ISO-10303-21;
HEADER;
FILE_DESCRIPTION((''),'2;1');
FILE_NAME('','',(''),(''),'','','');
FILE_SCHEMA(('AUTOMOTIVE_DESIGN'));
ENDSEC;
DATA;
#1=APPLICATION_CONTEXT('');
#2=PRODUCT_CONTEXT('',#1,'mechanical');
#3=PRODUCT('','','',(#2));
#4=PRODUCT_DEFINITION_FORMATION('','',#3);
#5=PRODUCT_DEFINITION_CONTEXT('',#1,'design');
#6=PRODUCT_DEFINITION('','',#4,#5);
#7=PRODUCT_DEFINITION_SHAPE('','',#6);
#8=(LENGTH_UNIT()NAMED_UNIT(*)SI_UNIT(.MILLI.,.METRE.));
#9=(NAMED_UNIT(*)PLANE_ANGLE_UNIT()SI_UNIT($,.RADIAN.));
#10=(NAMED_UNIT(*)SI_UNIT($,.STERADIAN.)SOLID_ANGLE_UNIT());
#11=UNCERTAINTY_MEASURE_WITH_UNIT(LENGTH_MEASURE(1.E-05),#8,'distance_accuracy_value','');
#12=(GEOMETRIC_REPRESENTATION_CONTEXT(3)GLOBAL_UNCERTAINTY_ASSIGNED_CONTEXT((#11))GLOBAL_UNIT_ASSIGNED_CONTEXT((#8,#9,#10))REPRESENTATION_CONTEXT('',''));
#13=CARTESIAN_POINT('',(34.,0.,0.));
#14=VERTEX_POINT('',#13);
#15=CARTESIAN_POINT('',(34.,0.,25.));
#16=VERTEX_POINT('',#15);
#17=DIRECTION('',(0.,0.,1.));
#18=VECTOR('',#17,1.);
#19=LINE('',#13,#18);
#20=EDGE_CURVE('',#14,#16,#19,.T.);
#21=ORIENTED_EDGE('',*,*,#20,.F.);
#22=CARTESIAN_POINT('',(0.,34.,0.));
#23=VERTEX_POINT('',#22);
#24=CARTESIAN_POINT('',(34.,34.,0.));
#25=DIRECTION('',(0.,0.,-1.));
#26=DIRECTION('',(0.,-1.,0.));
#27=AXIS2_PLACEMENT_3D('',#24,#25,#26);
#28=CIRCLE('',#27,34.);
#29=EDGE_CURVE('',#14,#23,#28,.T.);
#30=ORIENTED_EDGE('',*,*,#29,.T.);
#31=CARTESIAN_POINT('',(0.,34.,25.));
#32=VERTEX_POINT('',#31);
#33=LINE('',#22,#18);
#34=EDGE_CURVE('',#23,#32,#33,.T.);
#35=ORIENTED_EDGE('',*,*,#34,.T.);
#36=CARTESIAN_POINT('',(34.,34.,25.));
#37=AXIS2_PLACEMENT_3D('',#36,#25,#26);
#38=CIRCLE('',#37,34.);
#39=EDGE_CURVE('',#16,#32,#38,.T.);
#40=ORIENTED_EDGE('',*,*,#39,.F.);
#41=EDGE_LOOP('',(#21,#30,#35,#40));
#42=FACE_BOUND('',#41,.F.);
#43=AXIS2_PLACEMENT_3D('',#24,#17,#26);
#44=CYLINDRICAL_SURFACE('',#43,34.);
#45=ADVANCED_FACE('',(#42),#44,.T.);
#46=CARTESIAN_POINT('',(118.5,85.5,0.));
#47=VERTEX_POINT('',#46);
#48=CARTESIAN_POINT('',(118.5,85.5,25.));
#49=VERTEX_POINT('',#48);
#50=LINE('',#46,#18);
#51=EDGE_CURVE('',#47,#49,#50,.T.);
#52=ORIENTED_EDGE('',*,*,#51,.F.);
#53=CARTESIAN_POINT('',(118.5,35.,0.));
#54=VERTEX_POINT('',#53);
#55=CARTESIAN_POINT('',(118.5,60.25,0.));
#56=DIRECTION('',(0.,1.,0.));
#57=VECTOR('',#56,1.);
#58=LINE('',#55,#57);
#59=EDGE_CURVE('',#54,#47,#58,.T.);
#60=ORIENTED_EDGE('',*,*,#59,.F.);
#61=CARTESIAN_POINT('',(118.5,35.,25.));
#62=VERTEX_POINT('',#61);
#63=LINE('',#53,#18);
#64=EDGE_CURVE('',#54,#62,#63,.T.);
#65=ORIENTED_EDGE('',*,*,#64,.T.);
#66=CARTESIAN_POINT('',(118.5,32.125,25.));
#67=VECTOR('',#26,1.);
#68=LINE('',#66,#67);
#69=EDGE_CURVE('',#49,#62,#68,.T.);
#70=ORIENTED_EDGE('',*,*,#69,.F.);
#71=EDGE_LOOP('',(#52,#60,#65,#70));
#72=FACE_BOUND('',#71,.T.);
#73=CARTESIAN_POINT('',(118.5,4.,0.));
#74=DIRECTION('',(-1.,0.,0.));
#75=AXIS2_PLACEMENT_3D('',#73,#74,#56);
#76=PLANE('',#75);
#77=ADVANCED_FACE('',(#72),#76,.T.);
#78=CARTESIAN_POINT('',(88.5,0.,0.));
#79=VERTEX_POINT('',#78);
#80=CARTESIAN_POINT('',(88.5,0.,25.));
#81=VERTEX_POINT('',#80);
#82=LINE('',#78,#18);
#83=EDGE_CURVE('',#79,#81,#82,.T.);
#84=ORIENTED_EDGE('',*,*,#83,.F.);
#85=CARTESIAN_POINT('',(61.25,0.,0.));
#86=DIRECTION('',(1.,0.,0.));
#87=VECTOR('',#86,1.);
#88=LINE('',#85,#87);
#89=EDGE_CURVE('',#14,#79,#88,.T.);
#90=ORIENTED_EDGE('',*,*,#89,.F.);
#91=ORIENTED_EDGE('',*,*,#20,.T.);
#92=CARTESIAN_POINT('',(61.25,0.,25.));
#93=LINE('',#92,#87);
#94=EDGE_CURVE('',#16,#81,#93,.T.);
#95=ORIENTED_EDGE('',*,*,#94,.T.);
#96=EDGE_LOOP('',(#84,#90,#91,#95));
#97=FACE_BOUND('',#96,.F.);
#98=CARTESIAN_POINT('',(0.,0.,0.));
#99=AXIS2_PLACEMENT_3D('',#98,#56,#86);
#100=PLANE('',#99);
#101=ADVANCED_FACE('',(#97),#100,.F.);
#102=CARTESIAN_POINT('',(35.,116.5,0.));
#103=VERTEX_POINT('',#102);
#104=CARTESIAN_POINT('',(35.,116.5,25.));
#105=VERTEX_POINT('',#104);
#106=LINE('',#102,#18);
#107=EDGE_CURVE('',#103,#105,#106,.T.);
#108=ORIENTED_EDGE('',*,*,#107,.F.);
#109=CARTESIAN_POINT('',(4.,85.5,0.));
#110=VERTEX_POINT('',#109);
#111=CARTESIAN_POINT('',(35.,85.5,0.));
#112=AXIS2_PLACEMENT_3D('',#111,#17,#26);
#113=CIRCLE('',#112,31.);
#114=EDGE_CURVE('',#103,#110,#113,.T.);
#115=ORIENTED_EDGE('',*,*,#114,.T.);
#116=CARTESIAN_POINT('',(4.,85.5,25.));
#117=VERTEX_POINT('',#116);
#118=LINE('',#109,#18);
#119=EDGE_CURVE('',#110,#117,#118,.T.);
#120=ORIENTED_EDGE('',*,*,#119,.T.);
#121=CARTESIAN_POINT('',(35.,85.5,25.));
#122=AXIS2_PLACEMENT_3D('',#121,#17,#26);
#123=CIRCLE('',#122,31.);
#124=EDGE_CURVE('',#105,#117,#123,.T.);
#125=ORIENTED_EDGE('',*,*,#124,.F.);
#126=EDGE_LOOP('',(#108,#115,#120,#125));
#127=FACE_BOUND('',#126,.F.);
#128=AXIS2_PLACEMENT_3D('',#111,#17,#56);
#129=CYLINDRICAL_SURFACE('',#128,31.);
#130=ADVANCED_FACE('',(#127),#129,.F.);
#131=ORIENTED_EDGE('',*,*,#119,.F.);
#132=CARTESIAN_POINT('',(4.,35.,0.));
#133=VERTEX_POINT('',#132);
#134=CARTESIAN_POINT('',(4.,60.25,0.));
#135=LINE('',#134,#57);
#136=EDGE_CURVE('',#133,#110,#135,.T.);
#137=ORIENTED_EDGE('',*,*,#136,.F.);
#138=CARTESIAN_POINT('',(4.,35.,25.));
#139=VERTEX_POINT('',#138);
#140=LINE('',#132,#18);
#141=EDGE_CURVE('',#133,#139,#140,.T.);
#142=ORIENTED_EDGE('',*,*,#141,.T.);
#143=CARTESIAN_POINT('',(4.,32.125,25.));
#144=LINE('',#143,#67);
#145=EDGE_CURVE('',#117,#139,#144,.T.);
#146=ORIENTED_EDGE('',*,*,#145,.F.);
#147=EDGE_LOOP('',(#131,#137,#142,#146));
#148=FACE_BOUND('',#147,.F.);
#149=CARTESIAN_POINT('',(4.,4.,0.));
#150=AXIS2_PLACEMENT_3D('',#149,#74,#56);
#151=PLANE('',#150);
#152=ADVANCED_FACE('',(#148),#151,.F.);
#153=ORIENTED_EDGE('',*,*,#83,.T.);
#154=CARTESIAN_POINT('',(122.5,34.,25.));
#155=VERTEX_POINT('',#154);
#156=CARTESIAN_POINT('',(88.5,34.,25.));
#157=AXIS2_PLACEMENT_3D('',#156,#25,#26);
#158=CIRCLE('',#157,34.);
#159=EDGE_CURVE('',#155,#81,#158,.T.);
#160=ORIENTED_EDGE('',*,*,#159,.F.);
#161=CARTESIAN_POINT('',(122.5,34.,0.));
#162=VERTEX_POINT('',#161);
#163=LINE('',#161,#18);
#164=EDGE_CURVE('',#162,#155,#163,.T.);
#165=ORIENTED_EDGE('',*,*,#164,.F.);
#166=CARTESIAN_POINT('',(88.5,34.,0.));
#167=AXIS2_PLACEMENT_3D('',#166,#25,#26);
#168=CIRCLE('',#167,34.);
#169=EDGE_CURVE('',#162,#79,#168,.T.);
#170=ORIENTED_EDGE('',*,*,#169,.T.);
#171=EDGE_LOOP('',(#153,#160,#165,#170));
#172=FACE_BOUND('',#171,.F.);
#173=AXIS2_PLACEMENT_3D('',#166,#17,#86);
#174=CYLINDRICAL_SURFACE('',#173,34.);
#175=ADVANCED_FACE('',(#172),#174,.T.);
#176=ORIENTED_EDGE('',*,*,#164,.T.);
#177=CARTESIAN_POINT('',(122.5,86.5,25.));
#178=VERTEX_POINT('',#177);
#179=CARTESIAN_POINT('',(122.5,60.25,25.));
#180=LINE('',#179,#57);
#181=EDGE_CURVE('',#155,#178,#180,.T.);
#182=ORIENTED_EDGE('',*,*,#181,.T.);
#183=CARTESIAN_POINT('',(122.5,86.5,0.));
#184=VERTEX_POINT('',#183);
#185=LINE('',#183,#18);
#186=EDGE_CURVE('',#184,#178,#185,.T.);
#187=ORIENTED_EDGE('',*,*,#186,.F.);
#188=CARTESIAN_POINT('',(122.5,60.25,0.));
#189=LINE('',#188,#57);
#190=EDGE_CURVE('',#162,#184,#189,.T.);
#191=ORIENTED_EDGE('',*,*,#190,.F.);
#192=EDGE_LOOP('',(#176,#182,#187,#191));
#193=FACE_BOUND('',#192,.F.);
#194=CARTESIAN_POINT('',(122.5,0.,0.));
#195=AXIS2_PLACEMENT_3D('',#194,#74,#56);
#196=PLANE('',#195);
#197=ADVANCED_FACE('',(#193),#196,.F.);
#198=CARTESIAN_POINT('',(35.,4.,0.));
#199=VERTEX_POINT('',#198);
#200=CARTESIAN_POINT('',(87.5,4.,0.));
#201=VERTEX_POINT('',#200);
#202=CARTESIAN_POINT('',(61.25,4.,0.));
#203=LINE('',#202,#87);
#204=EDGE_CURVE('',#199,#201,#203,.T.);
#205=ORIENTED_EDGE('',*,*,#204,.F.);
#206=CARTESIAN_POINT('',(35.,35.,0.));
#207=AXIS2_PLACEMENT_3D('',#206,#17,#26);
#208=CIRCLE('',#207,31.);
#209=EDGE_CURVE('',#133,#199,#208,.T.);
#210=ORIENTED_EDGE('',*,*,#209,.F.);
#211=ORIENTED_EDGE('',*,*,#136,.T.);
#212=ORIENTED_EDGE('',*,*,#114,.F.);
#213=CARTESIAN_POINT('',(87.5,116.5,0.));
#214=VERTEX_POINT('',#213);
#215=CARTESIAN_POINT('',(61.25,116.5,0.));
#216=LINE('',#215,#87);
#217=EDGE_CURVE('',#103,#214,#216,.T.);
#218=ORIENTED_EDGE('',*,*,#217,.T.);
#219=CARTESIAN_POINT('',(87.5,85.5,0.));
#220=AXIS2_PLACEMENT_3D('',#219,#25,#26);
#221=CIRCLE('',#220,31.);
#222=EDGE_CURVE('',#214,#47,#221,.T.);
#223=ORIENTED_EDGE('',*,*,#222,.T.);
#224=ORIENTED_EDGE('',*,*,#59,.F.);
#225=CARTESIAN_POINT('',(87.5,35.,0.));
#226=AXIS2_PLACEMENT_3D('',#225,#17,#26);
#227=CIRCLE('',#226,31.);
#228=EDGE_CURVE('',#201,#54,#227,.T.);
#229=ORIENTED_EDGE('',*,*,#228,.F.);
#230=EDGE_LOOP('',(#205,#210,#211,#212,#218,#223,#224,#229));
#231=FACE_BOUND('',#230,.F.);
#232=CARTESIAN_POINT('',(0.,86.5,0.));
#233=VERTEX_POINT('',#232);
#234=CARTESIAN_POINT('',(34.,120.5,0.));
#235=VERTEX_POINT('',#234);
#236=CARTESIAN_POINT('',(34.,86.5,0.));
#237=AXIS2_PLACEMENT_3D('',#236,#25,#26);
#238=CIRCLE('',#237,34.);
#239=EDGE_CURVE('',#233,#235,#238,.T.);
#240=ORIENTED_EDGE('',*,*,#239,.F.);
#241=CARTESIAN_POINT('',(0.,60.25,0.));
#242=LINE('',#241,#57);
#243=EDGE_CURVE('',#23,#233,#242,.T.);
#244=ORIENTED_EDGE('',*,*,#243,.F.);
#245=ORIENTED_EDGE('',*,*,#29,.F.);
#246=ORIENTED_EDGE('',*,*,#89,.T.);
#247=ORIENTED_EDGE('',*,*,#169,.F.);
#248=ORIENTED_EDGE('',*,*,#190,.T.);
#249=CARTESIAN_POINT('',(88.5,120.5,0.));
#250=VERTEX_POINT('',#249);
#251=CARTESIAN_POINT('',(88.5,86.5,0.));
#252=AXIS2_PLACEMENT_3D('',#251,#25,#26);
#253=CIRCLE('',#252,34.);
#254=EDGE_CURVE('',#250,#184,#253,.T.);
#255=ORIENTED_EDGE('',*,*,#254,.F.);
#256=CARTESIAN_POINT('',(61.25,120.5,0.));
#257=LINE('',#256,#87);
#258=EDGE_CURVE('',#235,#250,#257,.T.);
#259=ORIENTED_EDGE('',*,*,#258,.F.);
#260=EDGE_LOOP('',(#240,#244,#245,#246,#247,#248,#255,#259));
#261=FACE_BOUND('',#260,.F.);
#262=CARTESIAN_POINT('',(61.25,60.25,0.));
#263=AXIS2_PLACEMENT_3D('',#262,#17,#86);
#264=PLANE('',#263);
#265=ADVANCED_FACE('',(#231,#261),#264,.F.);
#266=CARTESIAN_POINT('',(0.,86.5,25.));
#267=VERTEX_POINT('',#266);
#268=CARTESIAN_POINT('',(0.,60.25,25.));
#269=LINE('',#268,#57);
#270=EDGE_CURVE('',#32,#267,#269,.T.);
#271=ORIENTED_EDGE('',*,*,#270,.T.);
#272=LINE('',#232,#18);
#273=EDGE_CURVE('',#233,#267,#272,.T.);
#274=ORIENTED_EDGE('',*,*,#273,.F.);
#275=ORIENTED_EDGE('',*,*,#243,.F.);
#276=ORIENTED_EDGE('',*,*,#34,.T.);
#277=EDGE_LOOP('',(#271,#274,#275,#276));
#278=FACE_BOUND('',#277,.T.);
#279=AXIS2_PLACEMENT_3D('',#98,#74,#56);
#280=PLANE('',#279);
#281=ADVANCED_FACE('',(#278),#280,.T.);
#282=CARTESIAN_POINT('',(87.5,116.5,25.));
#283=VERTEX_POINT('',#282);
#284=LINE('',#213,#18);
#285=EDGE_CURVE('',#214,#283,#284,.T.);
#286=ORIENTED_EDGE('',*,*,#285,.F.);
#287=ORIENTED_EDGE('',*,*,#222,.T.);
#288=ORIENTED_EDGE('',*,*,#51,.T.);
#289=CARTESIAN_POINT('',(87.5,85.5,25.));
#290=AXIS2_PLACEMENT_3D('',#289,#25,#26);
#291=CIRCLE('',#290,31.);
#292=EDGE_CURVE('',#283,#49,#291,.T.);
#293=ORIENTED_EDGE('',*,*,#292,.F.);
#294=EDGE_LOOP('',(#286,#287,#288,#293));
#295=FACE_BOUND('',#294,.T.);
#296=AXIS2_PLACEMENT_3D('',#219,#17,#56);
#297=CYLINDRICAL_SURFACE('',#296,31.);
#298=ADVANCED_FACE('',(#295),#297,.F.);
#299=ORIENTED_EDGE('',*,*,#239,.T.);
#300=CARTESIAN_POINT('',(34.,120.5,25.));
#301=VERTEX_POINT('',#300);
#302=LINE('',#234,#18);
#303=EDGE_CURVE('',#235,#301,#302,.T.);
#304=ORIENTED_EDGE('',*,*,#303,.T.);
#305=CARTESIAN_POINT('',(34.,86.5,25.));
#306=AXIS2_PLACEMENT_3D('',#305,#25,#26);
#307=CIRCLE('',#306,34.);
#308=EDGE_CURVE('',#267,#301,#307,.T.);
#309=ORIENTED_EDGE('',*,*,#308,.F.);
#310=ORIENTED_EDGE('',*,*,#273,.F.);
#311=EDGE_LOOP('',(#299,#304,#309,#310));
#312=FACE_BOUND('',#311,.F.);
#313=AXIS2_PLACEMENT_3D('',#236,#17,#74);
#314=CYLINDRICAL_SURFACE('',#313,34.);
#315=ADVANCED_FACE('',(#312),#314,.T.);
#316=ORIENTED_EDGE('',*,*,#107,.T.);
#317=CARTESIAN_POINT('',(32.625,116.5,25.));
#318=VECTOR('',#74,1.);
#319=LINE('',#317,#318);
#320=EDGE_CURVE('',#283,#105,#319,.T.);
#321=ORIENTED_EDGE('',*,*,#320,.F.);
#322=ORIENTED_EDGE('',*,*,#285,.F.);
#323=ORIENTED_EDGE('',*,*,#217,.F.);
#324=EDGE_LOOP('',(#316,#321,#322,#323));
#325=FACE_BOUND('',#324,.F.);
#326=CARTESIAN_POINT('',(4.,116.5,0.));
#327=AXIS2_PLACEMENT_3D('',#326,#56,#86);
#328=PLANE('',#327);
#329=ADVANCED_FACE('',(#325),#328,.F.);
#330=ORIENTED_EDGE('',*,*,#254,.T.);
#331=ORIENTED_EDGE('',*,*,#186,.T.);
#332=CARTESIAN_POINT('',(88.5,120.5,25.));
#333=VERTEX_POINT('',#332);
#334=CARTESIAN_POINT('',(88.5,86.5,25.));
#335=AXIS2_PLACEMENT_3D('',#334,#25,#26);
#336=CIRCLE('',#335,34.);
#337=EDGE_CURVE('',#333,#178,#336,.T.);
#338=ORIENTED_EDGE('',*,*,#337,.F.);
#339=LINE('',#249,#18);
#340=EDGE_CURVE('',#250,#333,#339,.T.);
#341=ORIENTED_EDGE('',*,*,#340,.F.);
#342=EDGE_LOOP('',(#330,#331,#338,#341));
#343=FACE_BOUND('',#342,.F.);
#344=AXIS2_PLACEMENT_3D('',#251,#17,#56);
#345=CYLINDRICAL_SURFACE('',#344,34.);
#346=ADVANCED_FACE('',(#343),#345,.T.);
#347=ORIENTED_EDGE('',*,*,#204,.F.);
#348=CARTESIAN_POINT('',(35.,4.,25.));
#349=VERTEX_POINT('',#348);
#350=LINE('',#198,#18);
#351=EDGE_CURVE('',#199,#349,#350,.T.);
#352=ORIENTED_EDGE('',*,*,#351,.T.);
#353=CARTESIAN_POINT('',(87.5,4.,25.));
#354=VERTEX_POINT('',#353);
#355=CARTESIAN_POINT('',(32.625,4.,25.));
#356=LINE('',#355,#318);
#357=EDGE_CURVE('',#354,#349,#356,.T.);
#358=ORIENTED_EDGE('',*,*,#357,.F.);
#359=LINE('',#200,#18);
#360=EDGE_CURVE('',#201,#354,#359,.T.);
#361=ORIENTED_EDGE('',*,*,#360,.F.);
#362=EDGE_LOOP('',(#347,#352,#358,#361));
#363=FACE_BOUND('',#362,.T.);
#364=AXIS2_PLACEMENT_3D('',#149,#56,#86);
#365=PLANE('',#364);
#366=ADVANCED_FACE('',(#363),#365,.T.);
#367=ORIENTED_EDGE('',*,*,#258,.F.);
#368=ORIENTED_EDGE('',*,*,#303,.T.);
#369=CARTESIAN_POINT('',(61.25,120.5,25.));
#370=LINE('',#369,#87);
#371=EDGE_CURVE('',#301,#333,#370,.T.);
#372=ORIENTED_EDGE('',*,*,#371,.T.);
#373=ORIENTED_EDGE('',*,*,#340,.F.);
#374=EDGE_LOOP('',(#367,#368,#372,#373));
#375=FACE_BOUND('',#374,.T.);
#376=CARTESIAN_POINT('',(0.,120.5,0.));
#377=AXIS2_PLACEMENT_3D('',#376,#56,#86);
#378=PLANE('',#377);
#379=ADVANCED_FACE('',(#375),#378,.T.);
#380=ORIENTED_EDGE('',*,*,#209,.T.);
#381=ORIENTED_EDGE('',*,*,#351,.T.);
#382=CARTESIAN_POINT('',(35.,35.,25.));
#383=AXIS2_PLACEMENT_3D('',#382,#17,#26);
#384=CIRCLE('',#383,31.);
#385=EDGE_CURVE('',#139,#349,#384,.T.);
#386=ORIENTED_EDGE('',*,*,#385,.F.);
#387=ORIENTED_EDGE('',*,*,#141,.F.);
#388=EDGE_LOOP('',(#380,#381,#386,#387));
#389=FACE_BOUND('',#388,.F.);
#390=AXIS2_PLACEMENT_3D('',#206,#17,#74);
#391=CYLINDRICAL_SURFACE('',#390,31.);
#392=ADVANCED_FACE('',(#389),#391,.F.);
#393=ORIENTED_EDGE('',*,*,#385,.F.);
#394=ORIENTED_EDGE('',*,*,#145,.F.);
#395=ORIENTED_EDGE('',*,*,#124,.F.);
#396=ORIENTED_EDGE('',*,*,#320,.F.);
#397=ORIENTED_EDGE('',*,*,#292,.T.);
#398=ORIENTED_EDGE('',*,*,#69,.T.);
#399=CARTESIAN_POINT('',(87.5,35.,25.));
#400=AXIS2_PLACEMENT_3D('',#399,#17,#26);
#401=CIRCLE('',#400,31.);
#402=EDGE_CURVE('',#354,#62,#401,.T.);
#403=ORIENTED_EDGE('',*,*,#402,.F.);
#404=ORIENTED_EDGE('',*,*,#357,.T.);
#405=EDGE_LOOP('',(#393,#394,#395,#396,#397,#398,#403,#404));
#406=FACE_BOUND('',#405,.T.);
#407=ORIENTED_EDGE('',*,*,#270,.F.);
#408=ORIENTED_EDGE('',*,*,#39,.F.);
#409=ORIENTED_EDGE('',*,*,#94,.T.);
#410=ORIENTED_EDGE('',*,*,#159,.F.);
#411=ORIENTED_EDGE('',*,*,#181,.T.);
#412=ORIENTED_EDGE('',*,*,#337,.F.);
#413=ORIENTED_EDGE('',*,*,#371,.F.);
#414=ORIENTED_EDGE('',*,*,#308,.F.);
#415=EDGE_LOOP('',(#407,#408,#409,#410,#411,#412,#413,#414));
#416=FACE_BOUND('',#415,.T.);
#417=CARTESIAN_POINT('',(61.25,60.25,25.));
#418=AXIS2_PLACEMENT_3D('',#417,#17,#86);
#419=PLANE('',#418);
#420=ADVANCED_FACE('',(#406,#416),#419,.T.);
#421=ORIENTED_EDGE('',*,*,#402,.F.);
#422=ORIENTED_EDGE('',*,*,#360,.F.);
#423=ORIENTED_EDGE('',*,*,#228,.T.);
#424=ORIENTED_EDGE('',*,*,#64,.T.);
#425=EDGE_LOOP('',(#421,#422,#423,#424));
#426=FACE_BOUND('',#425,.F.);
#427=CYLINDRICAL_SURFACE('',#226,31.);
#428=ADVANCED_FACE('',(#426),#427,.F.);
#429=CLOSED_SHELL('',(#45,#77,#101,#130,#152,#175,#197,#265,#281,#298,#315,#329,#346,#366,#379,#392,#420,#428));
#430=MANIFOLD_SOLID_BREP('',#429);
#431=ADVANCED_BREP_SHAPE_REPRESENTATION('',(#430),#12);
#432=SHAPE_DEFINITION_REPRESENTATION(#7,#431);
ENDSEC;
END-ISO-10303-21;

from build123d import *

# Parameters (mm, degrees)
BOX001_W     = 114.5
BOX001_H     = 112.5
BOX001_DEPTH = 32
BOX_W        = 122.5
BOX_H        = 120.5
BOX_DEPTH    = 25
FILLET_R     = 31
FILLET001_R  = 31
FILLET002_R  = 31
FILLET003_R  = 31
FILLET004_R  = 34
FILLET005_R  = 34
FILLET009_R  = 34
FILLET008_R  = 34


with BuildPart() as cubo001:
    # Box001 → Box001 (new body)
    with BuildSketch(Plane(origin=(4, 4, 0), x_dir=(1, 0, 0), z_dir=(0, 0, 1))):
        with Locations((57.25, 56.25)):
            Rectangle(BOX001_W, BOX001_H)
    extrude(amount=BOX001_DEPTH)


with BuildPart() as fillet008:
    # Box → Box (new body)
    with BuildSketch(Plane.XY):
        with Locations((61.25, 60.25)):
            Rectangle(BOX_W, BOX_H)
    extrude(amount=BOX_DEPTH)

    # Cut: cut Cubo001
    add(cubo001.part, mode=Mode.SUBTRACT)

    # Fillet
    fillet_edges = [fillet008.edges().sort_by_distance(p)[0] for p in [
        (4, 116.5, 12.5),
    ]]
    fillet(fillet_edges, radius=FILLET_R)

    # Fillet001
    fillet001_edges = [fillet008.edges().sort_by_distance(p)[0] for p in [
        (118.5, 116.5, 12.5),
    ]]
    fillet(fillet001_edges, radius=FILLET001_R)

    # Fillet002
    fillet002_edges = [fillet008.edges().sort_by_distance(p)[0] for p in [
        (4, 4, 12.5),
    ]]
    fillet(fillet002_edges, radius=FILLET002_R)

    # Fillet003
    fillet003_edges = [fillet008.edges().sort_by_distance(p)[0] for p in [
        (118.5, 4, 12.5),
    ]]
    fillet(fillet003_edges, radius=FILLET003_R)

    # Fillet004
    fillet004_edges = [fillet008.edges().sort_by_distance(p)[0] for p in [
        (0, 120.5, 12.5),
    ]]
    fillet(fillet004_edges, radius=FILLET004_R)

    # Fillet005
    fillet005_edges = [fillet008.edges().sort_by_distance(p)[0] for p in [
        (122.5, 120.5, 12.5),
    ]]
    fillet(fillet005_edges, radius=FILLET005_R)

    # Fillet009
    fillet009_edges = [fillet008.edges().sort_by_distance(p)[0] for p in [
        (122.5, 0, 12.5),
    ]]
    fillet(fillet009_edges, radius=FILLET009_R)

    # Fillet008
    fillet008_edges = [fillet008.edges().sort_by_distance(p)[0] for p in [
        (0, 0, 12.5),
    ]]
    fillet(fillet008_edges, radius=FILLET008_R)


solid = fillet008.part
